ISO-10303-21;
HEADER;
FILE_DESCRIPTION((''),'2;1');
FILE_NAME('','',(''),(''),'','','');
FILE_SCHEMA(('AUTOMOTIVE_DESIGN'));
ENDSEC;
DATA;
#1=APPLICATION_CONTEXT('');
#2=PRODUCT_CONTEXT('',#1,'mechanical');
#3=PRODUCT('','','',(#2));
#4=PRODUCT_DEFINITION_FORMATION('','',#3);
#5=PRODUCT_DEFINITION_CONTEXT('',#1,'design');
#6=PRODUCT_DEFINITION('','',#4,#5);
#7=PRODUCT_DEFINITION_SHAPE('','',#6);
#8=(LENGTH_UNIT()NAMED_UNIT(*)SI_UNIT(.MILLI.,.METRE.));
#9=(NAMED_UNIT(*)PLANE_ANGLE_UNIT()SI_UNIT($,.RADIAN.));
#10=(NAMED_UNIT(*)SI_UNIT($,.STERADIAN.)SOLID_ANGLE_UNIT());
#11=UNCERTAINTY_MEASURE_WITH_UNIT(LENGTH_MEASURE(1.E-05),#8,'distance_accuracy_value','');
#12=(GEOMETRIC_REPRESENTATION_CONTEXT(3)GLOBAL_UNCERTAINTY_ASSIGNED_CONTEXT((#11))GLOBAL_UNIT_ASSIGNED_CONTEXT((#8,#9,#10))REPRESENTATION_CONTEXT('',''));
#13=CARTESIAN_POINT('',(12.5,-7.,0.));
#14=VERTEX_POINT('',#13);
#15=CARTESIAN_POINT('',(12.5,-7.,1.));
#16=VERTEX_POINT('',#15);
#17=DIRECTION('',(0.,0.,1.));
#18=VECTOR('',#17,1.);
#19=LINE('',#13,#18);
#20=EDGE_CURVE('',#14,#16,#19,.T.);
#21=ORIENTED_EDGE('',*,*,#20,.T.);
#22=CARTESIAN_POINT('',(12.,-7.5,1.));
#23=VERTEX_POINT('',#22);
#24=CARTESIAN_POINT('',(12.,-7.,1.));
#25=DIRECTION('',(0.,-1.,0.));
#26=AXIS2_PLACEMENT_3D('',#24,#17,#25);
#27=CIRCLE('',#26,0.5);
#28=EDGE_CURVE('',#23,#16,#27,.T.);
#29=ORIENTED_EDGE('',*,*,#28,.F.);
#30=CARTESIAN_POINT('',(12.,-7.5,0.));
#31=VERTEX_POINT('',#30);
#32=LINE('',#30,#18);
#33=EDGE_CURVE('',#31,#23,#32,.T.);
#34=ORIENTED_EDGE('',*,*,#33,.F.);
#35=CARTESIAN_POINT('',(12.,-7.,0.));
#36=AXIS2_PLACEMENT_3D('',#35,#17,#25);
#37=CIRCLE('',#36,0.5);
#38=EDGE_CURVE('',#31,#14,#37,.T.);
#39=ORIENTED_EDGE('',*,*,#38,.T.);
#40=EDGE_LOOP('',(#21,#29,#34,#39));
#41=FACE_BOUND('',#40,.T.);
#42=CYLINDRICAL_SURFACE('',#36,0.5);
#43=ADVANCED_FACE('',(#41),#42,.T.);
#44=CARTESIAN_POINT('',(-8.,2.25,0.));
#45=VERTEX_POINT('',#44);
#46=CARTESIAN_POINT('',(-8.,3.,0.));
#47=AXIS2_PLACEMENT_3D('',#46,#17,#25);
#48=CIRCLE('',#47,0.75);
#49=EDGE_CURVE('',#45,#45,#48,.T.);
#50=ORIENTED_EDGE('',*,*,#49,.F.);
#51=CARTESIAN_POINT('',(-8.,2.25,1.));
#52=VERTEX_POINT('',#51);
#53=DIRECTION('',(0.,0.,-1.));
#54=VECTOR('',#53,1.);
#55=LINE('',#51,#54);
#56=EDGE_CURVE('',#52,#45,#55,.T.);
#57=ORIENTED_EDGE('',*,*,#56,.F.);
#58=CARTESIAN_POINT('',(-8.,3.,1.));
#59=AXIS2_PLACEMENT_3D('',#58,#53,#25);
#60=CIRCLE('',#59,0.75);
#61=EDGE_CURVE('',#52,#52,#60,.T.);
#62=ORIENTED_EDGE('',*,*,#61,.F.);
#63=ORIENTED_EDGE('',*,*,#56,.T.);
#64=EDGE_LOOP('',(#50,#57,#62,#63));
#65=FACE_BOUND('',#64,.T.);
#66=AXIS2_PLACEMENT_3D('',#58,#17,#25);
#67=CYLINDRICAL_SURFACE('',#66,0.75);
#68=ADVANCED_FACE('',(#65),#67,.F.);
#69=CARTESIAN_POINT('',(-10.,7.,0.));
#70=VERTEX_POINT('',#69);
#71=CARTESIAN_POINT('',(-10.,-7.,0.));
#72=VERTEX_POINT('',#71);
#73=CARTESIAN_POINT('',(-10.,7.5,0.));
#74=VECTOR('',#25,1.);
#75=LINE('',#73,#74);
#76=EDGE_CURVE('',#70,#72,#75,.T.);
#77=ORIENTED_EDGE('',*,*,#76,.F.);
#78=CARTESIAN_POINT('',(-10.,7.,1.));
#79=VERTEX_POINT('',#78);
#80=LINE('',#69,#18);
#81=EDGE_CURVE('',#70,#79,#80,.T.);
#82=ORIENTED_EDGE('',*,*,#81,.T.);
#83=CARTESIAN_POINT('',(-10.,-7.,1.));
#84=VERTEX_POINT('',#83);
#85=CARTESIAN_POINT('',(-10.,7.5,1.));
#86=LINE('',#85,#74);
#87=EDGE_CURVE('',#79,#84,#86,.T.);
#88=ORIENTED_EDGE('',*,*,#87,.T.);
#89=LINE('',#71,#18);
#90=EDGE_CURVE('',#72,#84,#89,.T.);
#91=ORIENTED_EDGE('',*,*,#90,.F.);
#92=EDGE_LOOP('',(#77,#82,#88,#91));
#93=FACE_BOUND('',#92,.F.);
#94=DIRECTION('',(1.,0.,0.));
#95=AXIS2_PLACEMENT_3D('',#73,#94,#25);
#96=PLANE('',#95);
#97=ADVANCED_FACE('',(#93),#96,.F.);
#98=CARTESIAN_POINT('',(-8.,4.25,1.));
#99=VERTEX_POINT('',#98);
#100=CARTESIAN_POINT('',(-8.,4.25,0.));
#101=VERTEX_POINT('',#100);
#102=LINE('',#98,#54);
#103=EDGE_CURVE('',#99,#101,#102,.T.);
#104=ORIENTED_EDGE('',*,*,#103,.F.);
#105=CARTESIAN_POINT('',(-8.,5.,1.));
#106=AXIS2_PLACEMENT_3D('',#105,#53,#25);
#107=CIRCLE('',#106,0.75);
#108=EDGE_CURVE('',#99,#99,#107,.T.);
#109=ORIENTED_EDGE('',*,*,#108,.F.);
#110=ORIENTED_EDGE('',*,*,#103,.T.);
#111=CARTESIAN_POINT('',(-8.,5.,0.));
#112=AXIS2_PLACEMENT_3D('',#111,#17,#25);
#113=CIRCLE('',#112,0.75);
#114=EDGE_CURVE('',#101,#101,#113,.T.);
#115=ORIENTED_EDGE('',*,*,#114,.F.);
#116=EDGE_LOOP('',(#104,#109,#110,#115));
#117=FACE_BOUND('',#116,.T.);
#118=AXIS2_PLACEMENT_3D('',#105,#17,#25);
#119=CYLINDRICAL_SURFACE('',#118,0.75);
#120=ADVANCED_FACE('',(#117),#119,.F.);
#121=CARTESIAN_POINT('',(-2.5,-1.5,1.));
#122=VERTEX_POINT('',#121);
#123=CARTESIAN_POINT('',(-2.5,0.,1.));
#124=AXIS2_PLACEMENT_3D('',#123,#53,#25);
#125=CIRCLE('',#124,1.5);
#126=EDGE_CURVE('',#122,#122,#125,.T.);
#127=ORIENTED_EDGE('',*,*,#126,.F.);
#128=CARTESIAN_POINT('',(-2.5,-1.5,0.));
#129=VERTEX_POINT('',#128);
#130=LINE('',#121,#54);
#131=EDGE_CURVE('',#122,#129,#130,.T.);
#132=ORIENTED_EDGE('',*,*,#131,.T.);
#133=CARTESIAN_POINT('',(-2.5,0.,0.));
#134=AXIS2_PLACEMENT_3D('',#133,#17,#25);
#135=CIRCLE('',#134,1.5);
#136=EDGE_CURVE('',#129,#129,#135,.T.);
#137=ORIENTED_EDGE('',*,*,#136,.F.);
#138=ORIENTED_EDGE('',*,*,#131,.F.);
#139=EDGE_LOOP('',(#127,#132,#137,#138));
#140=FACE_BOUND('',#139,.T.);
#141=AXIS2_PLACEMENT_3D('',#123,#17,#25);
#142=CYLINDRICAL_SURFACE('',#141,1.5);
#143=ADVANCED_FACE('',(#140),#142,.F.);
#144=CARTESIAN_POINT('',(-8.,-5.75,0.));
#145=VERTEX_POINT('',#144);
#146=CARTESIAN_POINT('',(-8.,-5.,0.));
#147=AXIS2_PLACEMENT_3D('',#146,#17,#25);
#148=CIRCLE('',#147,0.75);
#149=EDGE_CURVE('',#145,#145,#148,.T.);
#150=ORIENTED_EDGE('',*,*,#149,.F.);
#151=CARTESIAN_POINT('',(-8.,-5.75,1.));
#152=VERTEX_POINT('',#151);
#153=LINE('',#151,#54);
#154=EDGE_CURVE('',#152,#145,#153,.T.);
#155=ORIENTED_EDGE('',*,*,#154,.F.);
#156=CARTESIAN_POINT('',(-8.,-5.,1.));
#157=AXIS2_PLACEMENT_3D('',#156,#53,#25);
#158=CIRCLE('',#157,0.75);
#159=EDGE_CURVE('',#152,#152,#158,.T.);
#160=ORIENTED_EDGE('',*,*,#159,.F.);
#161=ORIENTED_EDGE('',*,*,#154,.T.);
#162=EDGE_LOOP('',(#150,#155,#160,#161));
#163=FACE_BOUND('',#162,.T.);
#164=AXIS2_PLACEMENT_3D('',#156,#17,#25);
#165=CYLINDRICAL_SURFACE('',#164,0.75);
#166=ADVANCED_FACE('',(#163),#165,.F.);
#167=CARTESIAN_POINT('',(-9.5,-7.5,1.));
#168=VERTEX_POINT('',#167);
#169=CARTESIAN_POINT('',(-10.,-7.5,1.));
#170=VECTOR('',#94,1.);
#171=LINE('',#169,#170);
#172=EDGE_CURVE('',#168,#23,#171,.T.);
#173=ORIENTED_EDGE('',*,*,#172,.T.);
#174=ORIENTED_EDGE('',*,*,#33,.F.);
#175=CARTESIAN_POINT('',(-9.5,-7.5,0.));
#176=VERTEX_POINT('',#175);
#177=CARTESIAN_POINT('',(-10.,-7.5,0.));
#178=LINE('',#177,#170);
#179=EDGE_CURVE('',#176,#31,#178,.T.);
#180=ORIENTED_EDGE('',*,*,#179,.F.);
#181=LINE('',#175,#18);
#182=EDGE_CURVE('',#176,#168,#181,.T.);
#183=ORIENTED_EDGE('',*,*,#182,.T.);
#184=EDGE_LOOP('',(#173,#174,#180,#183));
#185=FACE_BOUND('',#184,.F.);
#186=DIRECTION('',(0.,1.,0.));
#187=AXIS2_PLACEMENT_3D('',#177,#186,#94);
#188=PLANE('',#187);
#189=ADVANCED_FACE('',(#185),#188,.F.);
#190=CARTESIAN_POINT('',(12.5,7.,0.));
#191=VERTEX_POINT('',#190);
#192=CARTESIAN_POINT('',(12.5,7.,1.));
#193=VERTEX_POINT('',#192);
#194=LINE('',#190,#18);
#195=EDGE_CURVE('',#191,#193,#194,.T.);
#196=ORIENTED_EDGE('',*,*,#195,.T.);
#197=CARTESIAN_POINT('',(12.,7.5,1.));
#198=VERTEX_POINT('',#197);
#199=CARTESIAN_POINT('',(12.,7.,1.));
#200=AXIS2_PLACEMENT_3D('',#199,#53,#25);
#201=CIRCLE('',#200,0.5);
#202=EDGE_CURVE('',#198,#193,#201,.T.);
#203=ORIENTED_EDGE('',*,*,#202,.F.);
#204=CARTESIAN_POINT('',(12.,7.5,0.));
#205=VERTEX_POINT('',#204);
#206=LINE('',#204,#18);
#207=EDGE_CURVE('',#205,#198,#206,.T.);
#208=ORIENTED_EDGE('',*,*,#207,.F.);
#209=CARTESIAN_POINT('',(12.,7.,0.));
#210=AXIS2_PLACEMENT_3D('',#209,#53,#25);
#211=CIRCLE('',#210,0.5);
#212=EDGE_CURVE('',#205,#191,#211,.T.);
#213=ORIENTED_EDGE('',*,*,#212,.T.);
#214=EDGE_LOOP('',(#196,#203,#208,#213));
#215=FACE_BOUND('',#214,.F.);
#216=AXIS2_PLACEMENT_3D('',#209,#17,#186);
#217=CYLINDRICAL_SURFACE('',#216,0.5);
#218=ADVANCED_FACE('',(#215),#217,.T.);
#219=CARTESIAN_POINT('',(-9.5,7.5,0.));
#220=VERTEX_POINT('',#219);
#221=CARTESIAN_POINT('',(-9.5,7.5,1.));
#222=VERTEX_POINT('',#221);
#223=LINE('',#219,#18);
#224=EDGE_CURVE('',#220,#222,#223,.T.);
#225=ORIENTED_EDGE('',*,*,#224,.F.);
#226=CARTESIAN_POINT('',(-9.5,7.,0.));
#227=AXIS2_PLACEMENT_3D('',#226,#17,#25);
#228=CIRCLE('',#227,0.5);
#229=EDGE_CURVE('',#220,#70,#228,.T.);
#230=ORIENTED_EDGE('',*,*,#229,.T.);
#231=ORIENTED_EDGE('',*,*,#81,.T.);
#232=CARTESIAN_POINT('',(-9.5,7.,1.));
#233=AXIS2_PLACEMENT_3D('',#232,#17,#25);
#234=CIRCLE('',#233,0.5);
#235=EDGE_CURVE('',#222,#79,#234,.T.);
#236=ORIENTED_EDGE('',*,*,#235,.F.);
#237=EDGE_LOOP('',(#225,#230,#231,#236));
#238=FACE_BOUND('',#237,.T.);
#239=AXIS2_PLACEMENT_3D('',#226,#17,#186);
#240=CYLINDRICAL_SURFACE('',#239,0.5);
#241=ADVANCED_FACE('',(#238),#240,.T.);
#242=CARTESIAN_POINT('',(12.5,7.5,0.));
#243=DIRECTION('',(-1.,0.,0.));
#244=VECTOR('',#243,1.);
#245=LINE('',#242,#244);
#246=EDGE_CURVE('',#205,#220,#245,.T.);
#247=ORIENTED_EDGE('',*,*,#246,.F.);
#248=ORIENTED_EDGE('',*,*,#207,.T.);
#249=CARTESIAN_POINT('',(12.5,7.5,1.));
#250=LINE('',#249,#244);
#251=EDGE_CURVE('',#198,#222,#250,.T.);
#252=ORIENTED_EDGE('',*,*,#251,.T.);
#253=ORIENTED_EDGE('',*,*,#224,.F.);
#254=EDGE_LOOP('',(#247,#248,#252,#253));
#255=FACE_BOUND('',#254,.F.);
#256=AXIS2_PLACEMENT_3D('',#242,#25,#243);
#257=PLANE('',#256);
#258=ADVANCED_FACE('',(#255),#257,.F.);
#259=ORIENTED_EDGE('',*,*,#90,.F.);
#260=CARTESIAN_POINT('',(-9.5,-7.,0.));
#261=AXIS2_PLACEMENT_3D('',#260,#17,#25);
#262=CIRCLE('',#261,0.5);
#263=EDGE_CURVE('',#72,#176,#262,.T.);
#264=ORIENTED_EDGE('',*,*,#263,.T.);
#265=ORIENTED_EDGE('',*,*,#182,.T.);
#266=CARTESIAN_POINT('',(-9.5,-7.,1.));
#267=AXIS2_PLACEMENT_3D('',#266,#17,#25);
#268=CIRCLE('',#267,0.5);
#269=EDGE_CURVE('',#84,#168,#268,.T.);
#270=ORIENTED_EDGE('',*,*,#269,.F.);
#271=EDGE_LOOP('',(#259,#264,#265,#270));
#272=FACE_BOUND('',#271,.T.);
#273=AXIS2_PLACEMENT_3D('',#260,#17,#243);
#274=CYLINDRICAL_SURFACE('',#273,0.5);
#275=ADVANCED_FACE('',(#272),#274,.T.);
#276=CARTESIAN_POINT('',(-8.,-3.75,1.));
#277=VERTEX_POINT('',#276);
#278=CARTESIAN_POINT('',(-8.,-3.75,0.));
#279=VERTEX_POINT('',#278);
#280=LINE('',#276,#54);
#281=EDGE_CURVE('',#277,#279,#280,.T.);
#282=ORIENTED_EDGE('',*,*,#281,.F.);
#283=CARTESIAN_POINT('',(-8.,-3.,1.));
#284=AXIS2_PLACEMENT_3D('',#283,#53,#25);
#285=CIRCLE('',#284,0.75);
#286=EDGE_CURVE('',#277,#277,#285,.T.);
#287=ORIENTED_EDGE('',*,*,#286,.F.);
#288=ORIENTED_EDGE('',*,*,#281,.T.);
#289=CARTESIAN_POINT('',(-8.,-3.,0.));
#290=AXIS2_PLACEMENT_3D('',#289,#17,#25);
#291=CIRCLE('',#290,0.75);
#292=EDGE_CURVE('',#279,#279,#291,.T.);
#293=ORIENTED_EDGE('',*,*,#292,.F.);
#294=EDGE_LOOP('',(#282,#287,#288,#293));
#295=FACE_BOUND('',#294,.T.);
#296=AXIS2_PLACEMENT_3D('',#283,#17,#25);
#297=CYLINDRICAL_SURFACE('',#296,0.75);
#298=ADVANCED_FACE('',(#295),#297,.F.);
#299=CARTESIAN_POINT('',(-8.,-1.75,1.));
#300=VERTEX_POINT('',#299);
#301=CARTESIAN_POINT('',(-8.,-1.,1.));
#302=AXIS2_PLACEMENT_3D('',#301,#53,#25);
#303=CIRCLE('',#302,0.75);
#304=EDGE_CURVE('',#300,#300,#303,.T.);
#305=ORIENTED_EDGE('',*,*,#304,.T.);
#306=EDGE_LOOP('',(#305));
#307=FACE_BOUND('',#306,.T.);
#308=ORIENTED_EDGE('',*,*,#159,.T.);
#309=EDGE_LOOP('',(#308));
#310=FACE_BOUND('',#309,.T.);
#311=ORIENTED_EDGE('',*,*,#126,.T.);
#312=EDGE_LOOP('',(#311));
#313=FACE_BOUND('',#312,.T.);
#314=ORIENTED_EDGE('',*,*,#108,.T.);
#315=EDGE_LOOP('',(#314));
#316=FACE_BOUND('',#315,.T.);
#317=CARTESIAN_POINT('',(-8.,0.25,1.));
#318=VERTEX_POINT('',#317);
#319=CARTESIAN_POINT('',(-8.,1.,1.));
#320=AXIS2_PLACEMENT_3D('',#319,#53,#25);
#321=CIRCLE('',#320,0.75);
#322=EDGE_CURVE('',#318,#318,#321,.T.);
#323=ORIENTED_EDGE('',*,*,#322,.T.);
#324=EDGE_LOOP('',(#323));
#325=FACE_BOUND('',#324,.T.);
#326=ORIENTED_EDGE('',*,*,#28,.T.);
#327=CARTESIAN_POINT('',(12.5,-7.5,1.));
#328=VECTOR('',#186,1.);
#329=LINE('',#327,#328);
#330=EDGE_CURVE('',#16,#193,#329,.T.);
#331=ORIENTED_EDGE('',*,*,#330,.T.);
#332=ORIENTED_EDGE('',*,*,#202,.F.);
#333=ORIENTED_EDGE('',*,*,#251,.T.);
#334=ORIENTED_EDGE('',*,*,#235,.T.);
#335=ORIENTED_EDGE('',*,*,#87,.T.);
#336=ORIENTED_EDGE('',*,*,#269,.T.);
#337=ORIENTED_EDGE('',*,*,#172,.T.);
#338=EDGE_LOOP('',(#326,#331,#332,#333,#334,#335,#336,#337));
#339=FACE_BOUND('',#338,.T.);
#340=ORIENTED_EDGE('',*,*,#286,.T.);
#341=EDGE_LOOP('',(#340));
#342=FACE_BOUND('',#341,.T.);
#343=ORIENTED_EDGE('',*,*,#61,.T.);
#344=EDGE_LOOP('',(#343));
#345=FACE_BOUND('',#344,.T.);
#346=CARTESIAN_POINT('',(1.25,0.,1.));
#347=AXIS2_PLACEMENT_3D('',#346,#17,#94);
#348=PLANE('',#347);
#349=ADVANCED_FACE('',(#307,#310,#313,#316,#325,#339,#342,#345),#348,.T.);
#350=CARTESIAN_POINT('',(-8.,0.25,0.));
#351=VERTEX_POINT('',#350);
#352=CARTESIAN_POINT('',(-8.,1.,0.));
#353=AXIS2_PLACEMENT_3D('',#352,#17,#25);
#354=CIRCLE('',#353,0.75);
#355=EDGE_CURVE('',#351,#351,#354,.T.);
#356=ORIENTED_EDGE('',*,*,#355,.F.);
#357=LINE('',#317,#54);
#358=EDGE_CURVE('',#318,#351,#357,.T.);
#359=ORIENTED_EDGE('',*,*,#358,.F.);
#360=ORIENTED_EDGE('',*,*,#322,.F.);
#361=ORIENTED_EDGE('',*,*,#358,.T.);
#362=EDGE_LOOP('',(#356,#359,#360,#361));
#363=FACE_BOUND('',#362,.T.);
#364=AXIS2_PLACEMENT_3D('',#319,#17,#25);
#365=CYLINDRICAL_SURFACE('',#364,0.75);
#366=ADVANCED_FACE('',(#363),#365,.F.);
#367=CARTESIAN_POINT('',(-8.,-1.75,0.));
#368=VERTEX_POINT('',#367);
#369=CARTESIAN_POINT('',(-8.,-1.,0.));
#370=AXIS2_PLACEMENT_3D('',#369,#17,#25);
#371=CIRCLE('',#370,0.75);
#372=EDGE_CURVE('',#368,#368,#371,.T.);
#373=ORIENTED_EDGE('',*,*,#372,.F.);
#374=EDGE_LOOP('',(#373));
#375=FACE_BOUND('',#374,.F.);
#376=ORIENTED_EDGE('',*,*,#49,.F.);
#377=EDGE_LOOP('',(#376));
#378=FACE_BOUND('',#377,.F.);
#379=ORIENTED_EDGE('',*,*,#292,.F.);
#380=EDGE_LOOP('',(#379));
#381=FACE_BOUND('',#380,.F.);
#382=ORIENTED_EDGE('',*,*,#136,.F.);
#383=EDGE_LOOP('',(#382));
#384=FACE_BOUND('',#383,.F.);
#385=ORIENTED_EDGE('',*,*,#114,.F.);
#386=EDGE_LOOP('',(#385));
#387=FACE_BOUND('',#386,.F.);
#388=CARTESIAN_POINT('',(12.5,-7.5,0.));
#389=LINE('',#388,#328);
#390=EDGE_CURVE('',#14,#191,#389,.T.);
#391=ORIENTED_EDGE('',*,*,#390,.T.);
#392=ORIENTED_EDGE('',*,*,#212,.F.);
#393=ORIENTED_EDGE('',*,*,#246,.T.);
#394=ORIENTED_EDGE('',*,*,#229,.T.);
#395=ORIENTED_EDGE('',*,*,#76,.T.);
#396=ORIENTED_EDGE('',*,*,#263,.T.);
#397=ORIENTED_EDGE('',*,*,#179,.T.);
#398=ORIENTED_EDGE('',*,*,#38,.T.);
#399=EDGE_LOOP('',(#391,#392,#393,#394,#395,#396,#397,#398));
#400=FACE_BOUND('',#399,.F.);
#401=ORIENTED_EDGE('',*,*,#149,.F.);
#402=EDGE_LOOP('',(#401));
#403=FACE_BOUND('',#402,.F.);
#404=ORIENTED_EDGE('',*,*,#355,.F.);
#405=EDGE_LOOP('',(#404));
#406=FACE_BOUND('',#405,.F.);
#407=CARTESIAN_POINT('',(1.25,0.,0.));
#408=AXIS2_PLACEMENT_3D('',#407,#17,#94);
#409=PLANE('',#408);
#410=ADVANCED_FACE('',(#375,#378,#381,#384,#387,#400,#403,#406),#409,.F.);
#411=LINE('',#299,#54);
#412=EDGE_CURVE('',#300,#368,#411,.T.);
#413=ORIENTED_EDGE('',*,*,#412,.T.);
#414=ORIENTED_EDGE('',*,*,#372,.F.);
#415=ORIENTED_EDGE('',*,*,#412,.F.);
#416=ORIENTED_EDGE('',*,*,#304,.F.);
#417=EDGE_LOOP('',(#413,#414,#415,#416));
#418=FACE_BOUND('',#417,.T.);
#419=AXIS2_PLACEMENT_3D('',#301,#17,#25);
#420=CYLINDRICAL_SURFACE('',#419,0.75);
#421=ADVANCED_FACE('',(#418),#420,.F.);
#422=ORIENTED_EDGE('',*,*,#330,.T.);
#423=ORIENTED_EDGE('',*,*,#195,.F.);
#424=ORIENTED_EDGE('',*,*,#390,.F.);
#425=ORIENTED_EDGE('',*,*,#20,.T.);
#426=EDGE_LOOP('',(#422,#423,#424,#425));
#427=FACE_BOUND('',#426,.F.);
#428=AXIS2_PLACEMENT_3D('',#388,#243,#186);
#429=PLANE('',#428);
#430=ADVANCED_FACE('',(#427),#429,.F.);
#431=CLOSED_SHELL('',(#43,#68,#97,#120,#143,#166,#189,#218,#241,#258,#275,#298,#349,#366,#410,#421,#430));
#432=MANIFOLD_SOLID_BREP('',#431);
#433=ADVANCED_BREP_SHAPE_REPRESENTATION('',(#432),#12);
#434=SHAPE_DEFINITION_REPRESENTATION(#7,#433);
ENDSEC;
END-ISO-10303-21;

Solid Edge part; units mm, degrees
sketch "Sketch1" plane through (0, 0, 0) normal (0, 0, 1) x (1, 0, 0)
  line L0 (12.5, 7.5) -> (-10, 7.5)
  line L1 (-10, 7.5) -> (-10, -7.5)
  line L2 (-10, -7.5) -> (12.5, -7.5)
  line L3 (12.5, -7.5) -> (12.5, 7.5)
extrude "Protrusion1" add sketch "Sketch1" along normal blind 1
fillet "Round_1" radius 0.5 4 edges at (12.5, 7.5, 0.5) (12.5, -7.5, 0.5) (-10, -7.5, 0.5) (-10, 7.5, 0.5)
hole "Hole_1" at (-2.5, 0, 1) direction (0, 0, -1) diameter 3 end up to next
hole "Hole_2" at (-8, 5, 1) direction (0, 0, -1) diameter 1.5 end up to next
hole "Hole1" at (-8, 3, 1) direction (0, 0, -1) diameter 1.5 end up to next
hole "Hole2" at (-8, 1, 1) direction (0, 0, -1) diameter 1.5 end up to next
hole "Hole3" at (-8, -1, 1) direction (0, 0, -1) diameter 1.5 end up to next
hole "Hole4" at (-8, -3, 1) direction (0, 0, -1) diameter 1.5 end up to next
hole "Hole5" at (-8, -5, 1) direction (0, 0, -1) diameter 1.5 end up to next
